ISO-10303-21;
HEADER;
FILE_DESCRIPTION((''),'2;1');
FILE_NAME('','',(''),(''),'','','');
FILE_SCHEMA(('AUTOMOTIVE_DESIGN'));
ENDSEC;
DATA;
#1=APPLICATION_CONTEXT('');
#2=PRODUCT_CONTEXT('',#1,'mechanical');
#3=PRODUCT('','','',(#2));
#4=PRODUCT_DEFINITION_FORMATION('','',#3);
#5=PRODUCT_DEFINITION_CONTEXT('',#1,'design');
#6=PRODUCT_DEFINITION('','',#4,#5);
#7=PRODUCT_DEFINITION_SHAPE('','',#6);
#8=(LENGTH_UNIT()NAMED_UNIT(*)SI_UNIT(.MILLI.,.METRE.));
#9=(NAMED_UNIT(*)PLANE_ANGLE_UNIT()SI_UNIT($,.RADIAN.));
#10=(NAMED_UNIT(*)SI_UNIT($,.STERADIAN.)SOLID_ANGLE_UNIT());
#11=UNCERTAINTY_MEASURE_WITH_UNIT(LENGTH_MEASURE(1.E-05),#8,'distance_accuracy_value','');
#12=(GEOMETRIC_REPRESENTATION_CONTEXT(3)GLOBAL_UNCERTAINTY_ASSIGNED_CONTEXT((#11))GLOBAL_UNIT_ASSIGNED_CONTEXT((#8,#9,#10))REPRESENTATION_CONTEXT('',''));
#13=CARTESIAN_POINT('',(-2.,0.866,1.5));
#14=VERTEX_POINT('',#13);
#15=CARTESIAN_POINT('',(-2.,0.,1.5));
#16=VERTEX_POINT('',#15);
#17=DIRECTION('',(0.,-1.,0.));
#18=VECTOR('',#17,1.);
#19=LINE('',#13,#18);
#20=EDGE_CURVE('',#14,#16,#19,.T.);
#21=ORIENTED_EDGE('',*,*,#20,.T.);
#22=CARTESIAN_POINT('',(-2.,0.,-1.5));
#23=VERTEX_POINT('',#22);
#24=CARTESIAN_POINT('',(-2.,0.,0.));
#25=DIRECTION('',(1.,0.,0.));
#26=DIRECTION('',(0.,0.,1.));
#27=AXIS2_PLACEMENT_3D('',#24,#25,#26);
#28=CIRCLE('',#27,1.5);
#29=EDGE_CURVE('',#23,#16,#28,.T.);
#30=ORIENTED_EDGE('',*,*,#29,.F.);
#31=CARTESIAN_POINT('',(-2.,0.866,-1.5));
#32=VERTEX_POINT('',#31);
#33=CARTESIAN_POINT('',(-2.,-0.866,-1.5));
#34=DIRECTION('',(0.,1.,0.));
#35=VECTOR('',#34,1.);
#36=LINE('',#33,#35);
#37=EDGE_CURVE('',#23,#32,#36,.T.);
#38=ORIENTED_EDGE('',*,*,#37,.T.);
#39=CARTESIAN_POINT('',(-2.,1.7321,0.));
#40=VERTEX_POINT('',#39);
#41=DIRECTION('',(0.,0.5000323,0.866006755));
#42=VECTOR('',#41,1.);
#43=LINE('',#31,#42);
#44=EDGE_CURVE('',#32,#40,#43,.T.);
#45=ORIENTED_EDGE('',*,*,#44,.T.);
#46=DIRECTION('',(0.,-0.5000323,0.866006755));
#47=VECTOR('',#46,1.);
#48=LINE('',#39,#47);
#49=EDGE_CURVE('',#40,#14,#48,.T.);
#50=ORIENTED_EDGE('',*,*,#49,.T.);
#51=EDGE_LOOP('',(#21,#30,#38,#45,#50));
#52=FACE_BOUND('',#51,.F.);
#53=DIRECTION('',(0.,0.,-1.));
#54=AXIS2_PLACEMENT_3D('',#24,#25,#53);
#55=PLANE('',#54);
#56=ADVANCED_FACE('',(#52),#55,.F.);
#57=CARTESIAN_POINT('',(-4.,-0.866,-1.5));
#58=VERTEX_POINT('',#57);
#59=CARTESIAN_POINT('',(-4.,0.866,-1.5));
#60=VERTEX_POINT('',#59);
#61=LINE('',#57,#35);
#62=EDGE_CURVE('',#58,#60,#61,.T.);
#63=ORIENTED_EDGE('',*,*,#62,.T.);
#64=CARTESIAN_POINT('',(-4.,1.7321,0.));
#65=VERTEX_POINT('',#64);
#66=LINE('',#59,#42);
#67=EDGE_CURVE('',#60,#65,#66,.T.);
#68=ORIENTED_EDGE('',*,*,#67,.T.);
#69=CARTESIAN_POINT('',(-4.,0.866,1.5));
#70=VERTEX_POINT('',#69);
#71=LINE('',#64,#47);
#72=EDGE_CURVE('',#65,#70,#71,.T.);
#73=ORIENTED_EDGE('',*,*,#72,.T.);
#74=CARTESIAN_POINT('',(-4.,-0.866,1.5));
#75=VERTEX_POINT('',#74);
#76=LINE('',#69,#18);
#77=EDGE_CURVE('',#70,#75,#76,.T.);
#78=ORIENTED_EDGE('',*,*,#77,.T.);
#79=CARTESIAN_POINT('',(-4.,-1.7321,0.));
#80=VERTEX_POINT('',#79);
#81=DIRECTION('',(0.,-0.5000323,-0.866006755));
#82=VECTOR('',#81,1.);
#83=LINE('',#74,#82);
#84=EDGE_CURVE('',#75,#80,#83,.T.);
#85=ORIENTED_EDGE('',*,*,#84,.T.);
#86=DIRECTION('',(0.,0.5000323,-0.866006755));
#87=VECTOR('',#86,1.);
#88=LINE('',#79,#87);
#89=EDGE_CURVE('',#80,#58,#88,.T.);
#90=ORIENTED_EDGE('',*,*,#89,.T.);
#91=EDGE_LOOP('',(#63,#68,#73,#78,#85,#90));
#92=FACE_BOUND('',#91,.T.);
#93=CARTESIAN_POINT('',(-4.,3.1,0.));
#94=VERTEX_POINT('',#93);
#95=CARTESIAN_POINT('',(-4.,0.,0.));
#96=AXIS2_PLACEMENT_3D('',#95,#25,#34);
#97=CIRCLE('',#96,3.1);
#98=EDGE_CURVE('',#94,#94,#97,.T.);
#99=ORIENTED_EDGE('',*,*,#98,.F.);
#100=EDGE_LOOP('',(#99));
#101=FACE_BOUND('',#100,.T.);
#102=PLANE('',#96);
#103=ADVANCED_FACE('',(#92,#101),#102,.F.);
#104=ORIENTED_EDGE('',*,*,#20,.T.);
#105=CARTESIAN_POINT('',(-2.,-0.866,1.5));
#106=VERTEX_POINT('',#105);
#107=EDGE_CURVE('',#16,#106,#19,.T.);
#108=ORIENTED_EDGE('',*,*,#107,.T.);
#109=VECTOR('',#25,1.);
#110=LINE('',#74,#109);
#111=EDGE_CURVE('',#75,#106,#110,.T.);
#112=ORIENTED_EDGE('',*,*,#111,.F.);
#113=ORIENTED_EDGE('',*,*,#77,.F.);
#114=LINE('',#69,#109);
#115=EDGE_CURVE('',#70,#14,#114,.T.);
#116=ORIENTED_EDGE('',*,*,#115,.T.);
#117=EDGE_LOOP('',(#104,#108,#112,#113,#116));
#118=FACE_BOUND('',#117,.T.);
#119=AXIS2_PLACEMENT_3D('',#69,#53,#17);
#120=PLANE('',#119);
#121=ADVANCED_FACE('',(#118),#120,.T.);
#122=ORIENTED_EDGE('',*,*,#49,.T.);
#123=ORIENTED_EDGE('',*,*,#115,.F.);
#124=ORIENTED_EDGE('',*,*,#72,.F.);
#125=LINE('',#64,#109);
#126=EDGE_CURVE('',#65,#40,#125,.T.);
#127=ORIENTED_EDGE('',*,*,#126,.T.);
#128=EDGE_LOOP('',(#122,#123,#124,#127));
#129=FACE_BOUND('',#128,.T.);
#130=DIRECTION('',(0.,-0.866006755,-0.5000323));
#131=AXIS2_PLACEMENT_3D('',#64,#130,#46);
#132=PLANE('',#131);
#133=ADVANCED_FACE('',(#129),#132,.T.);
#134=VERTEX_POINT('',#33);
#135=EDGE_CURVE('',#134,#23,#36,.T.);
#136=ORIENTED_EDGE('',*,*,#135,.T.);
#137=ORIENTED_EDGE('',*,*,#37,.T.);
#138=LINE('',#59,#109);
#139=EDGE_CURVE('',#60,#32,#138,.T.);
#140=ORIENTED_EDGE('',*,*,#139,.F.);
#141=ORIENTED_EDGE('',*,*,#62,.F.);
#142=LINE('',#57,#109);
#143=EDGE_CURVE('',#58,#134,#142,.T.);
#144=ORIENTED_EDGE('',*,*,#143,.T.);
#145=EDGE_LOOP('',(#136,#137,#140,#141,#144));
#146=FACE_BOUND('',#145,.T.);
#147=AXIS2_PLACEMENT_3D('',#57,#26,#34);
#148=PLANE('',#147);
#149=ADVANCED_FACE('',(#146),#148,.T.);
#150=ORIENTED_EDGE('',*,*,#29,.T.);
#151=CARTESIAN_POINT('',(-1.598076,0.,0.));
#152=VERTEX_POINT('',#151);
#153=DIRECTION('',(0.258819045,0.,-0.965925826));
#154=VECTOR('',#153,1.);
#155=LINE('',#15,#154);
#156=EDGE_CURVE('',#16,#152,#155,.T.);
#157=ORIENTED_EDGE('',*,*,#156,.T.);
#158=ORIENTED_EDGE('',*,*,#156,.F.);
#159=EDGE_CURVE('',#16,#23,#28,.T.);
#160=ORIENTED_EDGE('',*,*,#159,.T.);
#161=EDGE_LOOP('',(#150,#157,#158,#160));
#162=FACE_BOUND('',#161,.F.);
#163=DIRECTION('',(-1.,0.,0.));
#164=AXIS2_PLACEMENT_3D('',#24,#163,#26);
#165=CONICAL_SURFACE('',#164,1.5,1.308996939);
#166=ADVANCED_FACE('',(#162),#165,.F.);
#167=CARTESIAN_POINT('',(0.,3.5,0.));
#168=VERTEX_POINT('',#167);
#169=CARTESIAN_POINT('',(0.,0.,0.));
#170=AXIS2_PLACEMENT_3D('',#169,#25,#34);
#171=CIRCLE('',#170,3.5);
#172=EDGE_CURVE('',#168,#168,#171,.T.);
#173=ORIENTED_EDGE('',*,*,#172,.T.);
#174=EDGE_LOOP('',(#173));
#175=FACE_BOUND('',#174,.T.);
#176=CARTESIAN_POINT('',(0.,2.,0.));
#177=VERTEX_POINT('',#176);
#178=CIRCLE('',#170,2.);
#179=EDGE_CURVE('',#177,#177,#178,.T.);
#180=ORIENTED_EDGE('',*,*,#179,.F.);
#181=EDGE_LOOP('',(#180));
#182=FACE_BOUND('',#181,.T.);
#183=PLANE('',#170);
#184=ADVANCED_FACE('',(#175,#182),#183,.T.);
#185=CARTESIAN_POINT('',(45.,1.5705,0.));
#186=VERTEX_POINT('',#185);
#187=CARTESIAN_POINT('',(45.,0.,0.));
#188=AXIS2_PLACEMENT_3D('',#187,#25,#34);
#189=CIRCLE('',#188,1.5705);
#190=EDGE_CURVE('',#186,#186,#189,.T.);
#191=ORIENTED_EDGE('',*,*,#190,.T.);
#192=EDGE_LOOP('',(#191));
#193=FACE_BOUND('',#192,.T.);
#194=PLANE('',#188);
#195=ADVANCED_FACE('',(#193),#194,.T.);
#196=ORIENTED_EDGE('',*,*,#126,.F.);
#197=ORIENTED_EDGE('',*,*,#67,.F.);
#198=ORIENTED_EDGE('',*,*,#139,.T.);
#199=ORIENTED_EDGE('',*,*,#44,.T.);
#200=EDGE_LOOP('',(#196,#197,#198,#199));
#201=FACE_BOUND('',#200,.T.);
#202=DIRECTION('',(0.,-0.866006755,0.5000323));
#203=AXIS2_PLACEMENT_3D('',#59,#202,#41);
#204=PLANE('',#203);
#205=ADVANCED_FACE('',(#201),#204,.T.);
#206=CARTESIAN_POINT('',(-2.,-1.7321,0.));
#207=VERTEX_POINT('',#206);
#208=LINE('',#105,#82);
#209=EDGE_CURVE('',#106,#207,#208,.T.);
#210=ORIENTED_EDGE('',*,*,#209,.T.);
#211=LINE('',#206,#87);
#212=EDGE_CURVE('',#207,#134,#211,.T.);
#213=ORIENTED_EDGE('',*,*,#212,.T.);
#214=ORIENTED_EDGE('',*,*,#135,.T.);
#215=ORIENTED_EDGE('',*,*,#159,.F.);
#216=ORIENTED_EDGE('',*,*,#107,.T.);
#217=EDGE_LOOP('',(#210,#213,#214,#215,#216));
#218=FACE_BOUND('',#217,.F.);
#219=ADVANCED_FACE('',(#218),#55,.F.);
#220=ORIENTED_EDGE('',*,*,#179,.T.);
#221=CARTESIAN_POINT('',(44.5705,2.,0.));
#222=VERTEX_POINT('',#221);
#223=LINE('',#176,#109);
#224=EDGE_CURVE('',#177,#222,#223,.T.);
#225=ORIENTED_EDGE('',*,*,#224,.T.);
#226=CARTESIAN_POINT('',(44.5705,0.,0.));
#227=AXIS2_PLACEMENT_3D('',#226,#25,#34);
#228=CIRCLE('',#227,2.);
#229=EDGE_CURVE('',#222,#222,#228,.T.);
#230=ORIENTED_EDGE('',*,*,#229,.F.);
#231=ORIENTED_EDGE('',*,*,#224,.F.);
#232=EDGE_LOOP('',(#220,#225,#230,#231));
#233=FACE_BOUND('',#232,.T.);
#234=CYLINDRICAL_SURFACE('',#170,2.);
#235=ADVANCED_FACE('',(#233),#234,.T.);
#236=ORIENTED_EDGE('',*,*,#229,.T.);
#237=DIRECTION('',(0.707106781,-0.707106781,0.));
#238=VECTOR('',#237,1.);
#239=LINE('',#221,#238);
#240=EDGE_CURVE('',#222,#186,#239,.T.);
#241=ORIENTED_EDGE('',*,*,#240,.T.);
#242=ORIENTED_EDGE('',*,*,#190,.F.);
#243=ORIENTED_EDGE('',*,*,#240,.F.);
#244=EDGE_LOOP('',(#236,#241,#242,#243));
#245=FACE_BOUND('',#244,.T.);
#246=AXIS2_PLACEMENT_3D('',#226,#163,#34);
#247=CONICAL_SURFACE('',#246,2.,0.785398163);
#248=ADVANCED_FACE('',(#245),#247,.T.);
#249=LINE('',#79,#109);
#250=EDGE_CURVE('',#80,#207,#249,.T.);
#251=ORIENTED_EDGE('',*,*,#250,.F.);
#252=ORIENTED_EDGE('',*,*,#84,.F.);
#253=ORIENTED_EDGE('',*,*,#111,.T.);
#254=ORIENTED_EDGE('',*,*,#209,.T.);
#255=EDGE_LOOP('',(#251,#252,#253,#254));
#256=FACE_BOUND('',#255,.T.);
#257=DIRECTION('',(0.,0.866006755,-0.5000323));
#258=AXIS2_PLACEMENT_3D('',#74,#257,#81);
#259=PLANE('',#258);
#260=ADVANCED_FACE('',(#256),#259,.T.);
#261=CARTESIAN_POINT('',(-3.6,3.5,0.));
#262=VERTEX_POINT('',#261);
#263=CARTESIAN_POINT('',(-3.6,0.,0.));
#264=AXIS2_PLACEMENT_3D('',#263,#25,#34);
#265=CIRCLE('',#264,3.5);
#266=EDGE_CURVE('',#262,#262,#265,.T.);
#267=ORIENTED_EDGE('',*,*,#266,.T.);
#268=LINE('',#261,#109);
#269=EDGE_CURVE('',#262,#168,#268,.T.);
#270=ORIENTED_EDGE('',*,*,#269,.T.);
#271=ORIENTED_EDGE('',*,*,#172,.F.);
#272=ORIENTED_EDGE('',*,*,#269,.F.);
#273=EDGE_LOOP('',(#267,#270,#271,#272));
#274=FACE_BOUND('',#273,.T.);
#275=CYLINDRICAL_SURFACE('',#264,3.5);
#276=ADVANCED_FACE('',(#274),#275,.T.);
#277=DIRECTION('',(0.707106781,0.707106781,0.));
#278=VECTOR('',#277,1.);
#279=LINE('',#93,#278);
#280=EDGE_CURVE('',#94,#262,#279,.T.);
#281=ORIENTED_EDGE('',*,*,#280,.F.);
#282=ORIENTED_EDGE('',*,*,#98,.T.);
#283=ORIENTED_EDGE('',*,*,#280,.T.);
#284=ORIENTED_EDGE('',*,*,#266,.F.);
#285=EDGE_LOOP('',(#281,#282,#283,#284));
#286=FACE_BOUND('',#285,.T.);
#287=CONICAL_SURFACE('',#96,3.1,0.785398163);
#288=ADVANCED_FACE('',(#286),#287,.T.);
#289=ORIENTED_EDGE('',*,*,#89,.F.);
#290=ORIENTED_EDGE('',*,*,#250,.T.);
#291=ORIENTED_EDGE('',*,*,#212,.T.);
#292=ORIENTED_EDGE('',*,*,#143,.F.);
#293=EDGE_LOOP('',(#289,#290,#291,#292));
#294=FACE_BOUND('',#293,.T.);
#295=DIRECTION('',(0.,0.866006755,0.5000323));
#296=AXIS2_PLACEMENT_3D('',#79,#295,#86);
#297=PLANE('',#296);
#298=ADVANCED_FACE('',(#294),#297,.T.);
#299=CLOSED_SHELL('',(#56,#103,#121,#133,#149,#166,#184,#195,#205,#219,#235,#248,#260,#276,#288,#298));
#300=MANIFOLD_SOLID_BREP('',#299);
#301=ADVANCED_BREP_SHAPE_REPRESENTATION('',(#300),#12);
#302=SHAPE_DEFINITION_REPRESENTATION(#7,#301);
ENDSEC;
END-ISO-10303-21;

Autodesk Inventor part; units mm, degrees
sketch "Sketch_2" plane through (0, 0, 0) normal (0, 0, 1) x (1, 0, 0)
  line L0 (45, 0) -> (-4, 0)
  line L1 (-4, 0) -> (-4, 3.1)
  line L2 (-4, 3.1) -> (-3.6, 3.5)
  line L3 (-3.6, 3.5) -> (0, 3.5)
  line L4 (0, 3.5) -> (0, 2)
  line L5 (0, 2) -> (44.5705, 2)
  line L6 (44.5705, 2) -> (45, 1.5705)
  line L7 (45, 1.5705) -> (45, 0)
  line L8 (45, 0) -> (-4, 0)
revolve "Revolution1" add sketch "Sketch_2" angle 360 about axis through (45, 0, 0) along (1, 0, 0)
thread "Thread1" size "M4x0.7" class "6g" standard "ISO Metric profile" length 19.5705
sketch "Sketch2" plane through (-4, 0, 0) normal (-1, 0, 0) x (0, 0, 1)
  point P0 (0, 0)
hole "Hole1" at (-4, 0, 0) direction (1, 0, 0) diameter 3 depth 2 tip angle 150
sketch "Sketch_3" plane through (-4, 0, 0) normal (1, 0, 0) x (0, 0, -1)
  line L0 (-1.5, -0.866) -> (0, -1.7321)
  line L1 (0, -1.7321) -> (1.5, -0.866)
  line L2 (1.5, -0.866) -> (1.5, 0.866)
  line L3 (1.5, 0.866) -> (0, 1.7321)
  line L4 (0, 1.7321) -> (-1.5, 0.866)
  line L5 (-1.5, 0.866) -> (-1.5, -0.866)
extrude "Extrusion1" cut sketch "Sketch_3" along normal blind 2
ref_plane "bolt_to_nut_XY" through (45, 0, 0) normal (1, 0, 0) x (0, 0, -1)
ref_plane "bolt_to_nut_YZ" through (45, 0, 0) normal (0, 0, -1) x (0, 1, 0)
ref_plane "bolt_to_nut_ZX" through (45, 0, 0) normal (0, 1, 0) x (1, 0, 0)
ref_plane "screw1_XY" through (0, 0, 0) normal (1, 0, 0) x (0, 0, -1)
ref_plane "screw1_YZ" through (0, 0, 0) normal (0, 0, -1) x (0, 1, 0)
ref_plane "screw1_ZX" through (0, 0, 0) normal (0, 1, 0) x (1, 0, 0)
properties part number "CB4-45" material "鋼、炭素鋼"
